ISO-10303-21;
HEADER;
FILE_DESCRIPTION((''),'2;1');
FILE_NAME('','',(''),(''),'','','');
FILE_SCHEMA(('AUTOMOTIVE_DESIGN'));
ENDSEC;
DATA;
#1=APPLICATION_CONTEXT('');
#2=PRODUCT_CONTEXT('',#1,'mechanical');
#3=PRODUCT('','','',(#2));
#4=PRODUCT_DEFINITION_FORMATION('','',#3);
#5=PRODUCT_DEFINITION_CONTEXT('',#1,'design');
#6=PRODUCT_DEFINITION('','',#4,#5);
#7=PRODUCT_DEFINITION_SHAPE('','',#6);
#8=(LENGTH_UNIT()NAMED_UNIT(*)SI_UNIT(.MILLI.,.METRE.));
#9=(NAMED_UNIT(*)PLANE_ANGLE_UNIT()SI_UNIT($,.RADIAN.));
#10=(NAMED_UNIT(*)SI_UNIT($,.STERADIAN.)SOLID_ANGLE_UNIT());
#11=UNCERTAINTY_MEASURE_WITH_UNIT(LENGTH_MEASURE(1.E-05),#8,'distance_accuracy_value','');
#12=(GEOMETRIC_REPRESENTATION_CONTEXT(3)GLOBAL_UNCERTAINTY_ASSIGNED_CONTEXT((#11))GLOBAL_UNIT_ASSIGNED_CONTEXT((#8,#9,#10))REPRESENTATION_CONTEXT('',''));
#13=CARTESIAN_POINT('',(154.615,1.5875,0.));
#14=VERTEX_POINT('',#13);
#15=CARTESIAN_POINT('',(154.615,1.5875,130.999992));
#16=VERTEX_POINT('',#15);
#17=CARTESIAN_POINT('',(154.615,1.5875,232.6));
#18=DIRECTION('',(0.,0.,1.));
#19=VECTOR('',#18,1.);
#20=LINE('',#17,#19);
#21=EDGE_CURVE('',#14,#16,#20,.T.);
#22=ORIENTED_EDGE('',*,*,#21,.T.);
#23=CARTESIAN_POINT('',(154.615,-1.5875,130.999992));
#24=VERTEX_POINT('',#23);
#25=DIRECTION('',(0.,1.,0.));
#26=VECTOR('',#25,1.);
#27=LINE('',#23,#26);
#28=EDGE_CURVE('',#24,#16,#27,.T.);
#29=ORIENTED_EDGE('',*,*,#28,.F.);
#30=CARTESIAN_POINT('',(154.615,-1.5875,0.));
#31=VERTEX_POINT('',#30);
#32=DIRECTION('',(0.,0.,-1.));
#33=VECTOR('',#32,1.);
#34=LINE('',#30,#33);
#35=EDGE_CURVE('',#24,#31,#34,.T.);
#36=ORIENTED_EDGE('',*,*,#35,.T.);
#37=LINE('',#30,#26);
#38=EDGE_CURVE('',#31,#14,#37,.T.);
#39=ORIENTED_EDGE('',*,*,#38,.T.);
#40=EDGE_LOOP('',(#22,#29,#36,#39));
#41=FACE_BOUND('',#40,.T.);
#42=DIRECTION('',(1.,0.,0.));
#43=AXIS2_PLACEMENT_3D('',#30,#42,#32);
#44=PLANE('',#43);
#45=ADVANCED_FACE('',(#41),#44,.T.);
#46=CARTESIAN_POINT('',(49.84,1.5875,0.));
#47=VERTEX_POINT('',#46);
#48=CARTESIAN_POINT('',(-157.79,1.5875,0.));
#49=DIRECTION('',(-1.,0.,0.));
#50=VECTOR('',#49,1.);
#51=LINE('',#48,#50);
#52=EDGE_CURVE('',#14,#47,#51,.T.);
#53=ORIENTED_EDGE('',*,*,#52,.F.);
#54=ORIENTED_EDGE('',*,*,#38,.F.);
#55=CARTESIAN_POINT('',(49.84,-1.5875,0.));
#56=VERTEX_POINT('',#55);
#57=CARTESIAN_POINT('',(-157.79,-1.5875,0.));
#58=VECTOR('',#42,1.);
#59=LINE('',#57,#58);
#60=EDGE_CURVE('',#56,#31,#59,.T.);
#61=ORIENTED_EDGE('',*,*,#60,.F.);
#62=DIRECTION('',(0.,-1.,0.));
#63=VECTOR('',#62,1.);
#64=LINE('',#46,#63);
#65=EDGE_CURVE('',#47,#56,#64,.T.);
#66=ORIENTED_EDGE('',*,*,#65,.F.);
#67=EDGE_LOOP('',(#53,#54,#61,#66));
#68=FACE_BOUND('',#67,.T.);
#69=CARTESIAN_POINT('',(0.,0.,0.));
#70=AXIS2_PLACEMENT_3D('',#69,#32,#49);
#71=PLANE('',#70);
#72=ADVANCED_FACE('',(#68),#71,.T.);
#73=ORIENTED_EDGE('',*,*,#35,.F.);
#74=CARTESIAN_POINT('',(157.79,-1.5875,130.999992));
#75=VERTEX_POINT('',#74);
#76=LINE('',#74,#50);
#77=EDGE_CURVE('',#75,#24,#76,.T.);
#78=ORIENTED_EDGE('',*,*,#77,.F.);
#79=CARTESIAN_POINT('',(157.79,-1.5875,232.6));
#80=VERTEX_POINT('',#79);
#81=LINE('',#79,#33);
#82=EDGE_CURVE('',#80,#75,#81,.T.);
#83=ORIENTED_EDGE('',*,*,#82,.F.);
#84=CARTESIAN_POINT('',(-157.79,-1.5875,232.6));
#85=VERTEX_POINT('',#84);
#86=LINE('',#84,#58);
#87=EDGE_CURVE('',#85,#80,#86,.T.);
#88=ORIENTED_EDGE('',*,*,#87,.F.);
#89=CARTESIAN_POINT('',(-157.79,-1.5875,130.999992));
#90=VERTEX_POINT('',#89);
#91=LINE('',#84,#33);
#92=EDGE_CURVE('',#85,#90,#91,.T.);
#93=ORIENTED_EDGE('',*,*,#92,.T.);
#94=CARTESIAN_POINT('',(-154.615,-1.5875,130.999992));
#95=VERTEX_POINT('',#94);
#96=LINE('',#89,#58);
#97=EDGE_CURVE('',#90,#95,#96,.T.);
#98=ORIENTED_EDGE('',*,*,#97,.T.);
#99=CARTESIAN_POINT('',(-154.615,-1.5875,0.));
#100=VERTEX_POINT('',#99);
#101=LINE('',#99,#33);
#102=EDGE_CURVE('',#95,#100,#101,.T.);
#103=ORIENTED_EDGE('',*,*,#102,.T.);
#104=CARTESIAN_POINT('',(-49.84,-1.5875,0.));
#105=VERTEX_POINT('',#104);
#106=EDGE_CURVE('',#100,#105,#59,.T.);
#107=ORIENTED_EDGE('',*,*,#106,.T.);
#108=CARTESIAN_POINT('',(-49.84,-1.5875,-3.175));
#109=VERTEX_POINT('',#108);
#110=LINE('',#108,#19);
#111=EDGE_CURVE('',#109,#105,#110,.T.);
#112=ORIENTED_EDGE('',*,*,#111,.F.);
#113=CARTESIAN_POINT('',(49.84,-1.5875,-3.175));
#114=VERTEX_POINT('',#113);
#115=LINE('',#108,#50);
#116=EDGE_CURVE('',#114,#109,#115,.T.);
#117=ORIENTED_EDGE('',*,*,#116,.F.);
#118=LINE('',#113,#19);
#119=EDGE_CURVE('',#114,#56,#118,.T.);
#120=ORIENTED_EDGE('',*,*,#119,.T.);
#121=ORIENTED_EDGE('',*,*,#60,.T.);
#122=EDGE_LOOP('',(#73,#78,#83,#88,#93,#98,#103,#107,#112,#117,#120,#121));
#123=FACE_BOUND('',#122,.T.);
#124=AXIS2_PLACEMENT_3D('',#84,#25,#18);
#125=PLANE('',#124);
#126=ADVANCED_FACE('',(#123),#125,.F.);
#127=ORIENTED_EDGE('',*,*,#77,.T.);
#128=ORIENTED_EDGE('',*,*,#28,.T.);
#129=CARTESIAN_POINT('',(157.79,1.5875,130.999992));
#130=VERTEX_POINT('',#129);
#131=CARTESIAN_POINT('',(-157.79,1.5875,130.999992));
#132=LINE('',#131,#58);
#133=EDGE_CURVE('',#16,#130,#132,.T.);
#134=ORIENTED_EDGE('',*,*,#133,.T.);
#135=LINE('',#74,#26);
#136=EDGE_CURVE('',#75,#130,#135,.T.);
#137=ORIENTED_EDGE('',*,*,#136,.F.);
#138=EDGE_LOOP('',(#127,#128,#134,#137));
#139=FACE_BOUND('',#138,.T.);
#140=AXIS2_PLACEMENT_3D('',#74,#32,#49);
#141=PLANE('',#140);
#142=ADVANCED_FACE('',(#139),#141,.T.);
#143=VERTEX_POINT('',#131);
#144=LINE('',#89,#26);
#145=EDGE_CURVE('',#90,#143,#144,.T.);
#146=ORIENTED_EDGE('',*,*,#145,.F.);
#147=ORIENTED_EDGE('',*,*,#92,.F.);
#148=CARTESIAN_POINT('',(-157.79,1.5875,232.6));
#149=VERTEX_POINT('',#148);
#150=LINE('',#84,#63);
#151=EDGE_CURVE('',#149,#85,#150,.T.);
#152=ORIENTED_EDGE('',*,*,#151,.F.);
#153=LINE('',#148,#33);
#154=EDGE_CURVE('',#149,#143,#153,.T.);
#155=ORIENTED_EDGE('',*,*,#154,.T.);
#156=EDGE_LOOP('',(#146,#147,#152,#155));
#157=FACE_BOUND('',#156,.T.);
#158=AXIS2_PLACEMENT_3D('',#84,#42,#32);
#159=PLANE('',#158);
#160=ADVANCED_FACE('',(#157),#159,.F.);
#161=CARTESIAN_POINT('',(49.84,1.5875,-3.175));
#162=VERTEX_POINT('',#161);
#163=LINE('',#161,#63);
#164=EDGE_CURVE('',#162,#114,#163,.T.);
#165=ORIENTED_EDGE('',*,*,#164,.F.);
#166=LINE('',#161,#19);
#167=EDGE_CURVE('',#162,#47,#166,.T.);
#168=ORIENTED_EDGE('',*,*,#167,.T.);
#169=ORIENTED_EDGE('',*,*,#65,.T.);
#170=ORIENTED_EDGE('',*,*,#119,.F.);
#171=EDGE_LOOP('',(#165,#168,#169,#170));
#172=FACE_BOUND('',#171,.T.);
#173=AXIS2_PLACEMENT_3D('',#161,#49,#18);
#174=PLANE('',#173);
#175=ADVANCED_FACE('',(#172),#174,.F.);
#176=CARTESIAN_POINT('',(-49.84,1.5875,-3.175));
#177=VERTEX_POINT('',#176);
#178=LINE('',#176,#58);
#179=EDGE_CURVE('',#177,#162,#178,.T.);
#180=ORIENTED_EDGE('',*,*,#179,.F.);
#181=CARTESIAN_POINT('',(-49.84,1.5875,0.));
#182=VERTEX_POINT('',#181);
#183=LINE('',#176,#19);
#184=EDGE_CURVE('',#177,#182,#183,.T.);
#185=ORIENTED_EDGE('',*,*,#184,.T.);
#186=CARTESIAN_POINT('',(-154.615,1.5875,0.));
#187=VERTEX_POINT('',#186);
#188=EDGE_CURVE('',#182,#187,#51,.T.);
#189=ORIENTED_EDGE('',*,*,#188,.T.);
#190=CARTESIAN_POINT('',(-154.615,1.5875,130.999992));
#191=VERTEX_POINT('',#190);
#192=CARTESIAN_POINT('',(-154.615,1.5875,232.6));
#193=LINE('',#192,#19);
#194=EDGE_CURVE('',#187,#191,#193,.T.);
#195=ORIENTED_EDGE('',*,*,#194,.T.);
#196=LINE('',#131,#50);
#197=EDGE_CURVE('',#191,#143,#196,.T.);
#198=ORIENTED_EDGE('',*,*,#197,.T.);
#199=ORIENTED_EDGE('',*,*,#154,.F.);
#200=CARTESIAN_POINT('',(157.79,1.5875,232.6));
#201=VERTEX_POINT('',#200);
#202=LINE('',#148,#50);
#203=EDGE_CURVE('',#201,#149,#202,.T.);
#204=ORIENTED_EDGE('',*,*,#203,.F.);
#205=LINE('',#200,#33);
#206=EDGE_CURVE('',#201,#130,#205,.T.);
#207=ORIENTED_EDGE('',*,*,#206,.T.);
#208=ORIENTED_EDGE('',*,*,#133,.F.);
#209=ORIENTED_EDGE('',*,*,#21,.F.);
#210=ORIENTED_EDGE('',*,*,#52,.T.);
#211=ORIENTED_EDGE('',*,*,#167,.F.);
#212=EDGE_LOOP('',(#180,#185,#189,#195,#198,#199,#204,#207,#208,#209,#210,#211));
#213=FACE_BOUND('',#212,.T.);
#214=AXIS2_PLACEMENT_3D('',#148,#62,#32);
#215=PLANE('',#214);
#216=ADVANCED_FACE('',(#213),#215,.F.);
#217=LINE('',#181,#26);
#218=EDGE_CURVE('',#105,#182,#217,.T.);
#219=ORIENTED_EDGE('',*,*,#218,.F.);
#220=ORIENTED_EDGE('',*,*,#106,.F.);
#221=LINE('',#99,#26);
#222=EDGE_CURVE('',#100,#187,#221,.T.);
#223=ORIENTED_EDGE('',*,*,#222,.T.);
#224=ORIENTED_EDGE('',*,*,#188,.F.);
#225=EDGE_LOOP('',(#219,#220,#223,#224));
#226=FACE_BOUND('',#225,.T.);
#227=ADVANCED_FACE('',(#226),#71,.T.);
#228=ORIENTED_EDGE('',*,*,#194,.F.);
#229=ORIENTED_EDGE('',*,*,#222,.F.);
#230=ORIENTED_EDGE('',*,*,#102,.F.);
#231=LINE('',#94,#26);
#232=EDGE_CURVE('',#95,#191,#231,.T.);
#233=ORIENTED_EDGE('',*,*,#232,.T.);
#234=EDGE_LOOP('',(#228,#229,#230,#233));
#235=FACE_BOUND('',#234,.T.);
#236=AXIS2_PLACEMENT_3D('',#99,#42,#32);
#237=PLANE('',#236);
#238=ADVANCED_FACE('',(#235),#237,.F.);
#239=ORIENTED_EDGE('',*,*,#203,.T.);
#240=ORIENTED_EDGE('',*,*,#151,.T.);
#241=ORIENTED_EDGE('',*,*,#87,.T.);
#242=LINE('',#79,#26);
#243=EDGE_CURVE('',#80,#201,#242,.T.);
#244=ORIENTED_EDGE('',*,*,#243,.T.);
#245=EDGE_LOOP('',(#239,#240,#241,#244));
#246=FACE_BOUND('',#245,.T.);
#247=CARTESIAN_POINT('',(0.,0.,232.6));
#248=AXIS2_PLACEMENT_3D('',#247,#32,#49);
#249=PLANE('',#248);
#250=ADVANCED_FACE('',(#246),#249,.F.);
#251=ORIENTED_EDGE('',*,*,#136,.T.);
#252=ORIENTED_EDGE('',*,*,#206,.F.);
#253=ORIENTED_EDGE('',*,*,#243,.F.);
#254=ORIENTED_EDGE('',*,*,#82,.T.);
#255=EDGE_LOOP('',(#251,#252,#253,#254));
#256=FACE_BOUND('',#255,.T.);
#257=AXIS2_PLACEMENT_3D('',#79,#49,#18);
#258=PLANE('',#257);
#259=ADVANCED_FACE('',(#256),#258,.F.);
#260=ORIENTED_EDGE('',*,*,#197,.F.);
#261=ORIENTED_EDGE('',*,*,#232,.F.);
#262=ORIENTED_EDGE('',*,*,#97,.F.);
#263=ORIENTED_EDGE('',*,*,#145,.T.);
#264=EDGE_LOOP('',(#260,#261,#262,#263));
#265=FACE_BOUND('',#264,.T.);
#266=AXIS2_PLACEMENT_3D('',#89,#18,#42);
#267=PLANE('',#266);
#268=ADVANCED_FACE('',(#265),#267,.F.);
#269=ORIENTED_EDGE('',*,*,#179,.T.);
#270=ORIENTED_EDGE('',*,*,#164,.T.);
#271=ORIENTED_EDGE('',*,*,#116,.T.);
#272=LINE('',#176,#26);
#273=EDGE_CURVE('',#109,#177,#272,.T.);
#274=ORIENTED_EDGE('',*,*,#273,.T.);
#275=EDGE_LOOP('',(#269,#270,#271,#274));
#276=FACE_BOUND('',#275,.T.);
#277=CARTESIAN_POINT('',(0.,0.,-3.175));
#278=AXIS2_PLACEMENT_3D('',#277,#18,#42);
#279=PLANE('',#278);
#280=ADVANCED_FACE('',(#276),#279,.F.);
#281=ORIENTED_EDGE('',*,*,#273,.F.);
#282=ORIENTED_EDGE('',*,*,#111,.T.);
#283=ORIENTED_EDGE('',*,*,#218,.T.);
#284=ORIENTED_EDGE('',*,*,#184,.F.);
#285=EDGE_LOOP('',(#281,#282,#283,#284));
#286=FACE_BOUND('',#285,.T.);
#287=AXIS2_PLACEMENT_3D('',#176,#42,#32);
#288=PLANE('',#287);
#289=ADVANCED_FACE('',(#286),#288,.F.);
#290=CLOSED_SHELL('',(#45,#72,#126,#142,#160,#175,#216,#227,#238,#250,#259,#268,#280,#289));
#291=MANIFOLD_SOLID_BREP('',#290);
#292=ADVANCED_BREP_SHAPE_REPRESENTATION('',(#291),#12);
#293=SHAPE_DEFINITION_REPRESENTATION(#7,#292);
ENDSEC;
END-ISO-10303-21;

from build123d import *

# Parameters (mm, degrees)
SKETCH1_W           = 315.58
SKETCH1_H           = 3.175
BOSS_EXTRUDE1_DEPTH = 232.600000128
SKETCH5_W           = 3.175
SKETCH5_H           = 130.999992
CUT_EXTRUDE2_DEPTH  = 282.088108579
SKETCH8_W           = 99.68
SKETCH8_H           = 3.175
BOSS_EXTRUDE2_DEPTH = 3.175


with BuildPart() as part:
    # Sketch1 → Boss-Extrude1 (new body)
    with BuildSketch(Plane.XY):
        Rectangle(SKETCH1_W, SKETCH1_H)
    extrude(amount=BOSS_EXTRUDE1_DEPTH)

    # Sketch5 → Cut-Extrude2 (cut, symmetric)
    with BuildSketch(Plane(origin=(0, 1.5875, 0), x_dir=(1, 0, 0), z_dir=(0, 1, 0))):
        with Locations((-156.2025, -65.499996)):
            Rectangle(SKETCH5_W, SKETCH5_H)
    cut_extrude2 = extrude(amount=CUT_EXTRUDE2_DEPTH, both=True, mode=Mode.SUBTRACT)

    # Mirror1: Cut-Extrude2 across plane
    add(cut_extrude2.mirror(Plane(origin=(0, 0, 0), x_dir=(0, 0, 1), z_dir=(1, 0, 0))), mode=Mode.SUBTRACT)

    # Sketch8 → Boss-Extrude2 (add)
    with BuildSketch(Plane(origin=(0, 0, 0), x_dir=(-1, 0, 0), z_dir=(0, 0, -1))):
        Rectangle(SKETCH8_W, SKETCH8_H)
    extrude(amount=BOSS_EXTRUDE2_DEPTH)


solid = part.part
